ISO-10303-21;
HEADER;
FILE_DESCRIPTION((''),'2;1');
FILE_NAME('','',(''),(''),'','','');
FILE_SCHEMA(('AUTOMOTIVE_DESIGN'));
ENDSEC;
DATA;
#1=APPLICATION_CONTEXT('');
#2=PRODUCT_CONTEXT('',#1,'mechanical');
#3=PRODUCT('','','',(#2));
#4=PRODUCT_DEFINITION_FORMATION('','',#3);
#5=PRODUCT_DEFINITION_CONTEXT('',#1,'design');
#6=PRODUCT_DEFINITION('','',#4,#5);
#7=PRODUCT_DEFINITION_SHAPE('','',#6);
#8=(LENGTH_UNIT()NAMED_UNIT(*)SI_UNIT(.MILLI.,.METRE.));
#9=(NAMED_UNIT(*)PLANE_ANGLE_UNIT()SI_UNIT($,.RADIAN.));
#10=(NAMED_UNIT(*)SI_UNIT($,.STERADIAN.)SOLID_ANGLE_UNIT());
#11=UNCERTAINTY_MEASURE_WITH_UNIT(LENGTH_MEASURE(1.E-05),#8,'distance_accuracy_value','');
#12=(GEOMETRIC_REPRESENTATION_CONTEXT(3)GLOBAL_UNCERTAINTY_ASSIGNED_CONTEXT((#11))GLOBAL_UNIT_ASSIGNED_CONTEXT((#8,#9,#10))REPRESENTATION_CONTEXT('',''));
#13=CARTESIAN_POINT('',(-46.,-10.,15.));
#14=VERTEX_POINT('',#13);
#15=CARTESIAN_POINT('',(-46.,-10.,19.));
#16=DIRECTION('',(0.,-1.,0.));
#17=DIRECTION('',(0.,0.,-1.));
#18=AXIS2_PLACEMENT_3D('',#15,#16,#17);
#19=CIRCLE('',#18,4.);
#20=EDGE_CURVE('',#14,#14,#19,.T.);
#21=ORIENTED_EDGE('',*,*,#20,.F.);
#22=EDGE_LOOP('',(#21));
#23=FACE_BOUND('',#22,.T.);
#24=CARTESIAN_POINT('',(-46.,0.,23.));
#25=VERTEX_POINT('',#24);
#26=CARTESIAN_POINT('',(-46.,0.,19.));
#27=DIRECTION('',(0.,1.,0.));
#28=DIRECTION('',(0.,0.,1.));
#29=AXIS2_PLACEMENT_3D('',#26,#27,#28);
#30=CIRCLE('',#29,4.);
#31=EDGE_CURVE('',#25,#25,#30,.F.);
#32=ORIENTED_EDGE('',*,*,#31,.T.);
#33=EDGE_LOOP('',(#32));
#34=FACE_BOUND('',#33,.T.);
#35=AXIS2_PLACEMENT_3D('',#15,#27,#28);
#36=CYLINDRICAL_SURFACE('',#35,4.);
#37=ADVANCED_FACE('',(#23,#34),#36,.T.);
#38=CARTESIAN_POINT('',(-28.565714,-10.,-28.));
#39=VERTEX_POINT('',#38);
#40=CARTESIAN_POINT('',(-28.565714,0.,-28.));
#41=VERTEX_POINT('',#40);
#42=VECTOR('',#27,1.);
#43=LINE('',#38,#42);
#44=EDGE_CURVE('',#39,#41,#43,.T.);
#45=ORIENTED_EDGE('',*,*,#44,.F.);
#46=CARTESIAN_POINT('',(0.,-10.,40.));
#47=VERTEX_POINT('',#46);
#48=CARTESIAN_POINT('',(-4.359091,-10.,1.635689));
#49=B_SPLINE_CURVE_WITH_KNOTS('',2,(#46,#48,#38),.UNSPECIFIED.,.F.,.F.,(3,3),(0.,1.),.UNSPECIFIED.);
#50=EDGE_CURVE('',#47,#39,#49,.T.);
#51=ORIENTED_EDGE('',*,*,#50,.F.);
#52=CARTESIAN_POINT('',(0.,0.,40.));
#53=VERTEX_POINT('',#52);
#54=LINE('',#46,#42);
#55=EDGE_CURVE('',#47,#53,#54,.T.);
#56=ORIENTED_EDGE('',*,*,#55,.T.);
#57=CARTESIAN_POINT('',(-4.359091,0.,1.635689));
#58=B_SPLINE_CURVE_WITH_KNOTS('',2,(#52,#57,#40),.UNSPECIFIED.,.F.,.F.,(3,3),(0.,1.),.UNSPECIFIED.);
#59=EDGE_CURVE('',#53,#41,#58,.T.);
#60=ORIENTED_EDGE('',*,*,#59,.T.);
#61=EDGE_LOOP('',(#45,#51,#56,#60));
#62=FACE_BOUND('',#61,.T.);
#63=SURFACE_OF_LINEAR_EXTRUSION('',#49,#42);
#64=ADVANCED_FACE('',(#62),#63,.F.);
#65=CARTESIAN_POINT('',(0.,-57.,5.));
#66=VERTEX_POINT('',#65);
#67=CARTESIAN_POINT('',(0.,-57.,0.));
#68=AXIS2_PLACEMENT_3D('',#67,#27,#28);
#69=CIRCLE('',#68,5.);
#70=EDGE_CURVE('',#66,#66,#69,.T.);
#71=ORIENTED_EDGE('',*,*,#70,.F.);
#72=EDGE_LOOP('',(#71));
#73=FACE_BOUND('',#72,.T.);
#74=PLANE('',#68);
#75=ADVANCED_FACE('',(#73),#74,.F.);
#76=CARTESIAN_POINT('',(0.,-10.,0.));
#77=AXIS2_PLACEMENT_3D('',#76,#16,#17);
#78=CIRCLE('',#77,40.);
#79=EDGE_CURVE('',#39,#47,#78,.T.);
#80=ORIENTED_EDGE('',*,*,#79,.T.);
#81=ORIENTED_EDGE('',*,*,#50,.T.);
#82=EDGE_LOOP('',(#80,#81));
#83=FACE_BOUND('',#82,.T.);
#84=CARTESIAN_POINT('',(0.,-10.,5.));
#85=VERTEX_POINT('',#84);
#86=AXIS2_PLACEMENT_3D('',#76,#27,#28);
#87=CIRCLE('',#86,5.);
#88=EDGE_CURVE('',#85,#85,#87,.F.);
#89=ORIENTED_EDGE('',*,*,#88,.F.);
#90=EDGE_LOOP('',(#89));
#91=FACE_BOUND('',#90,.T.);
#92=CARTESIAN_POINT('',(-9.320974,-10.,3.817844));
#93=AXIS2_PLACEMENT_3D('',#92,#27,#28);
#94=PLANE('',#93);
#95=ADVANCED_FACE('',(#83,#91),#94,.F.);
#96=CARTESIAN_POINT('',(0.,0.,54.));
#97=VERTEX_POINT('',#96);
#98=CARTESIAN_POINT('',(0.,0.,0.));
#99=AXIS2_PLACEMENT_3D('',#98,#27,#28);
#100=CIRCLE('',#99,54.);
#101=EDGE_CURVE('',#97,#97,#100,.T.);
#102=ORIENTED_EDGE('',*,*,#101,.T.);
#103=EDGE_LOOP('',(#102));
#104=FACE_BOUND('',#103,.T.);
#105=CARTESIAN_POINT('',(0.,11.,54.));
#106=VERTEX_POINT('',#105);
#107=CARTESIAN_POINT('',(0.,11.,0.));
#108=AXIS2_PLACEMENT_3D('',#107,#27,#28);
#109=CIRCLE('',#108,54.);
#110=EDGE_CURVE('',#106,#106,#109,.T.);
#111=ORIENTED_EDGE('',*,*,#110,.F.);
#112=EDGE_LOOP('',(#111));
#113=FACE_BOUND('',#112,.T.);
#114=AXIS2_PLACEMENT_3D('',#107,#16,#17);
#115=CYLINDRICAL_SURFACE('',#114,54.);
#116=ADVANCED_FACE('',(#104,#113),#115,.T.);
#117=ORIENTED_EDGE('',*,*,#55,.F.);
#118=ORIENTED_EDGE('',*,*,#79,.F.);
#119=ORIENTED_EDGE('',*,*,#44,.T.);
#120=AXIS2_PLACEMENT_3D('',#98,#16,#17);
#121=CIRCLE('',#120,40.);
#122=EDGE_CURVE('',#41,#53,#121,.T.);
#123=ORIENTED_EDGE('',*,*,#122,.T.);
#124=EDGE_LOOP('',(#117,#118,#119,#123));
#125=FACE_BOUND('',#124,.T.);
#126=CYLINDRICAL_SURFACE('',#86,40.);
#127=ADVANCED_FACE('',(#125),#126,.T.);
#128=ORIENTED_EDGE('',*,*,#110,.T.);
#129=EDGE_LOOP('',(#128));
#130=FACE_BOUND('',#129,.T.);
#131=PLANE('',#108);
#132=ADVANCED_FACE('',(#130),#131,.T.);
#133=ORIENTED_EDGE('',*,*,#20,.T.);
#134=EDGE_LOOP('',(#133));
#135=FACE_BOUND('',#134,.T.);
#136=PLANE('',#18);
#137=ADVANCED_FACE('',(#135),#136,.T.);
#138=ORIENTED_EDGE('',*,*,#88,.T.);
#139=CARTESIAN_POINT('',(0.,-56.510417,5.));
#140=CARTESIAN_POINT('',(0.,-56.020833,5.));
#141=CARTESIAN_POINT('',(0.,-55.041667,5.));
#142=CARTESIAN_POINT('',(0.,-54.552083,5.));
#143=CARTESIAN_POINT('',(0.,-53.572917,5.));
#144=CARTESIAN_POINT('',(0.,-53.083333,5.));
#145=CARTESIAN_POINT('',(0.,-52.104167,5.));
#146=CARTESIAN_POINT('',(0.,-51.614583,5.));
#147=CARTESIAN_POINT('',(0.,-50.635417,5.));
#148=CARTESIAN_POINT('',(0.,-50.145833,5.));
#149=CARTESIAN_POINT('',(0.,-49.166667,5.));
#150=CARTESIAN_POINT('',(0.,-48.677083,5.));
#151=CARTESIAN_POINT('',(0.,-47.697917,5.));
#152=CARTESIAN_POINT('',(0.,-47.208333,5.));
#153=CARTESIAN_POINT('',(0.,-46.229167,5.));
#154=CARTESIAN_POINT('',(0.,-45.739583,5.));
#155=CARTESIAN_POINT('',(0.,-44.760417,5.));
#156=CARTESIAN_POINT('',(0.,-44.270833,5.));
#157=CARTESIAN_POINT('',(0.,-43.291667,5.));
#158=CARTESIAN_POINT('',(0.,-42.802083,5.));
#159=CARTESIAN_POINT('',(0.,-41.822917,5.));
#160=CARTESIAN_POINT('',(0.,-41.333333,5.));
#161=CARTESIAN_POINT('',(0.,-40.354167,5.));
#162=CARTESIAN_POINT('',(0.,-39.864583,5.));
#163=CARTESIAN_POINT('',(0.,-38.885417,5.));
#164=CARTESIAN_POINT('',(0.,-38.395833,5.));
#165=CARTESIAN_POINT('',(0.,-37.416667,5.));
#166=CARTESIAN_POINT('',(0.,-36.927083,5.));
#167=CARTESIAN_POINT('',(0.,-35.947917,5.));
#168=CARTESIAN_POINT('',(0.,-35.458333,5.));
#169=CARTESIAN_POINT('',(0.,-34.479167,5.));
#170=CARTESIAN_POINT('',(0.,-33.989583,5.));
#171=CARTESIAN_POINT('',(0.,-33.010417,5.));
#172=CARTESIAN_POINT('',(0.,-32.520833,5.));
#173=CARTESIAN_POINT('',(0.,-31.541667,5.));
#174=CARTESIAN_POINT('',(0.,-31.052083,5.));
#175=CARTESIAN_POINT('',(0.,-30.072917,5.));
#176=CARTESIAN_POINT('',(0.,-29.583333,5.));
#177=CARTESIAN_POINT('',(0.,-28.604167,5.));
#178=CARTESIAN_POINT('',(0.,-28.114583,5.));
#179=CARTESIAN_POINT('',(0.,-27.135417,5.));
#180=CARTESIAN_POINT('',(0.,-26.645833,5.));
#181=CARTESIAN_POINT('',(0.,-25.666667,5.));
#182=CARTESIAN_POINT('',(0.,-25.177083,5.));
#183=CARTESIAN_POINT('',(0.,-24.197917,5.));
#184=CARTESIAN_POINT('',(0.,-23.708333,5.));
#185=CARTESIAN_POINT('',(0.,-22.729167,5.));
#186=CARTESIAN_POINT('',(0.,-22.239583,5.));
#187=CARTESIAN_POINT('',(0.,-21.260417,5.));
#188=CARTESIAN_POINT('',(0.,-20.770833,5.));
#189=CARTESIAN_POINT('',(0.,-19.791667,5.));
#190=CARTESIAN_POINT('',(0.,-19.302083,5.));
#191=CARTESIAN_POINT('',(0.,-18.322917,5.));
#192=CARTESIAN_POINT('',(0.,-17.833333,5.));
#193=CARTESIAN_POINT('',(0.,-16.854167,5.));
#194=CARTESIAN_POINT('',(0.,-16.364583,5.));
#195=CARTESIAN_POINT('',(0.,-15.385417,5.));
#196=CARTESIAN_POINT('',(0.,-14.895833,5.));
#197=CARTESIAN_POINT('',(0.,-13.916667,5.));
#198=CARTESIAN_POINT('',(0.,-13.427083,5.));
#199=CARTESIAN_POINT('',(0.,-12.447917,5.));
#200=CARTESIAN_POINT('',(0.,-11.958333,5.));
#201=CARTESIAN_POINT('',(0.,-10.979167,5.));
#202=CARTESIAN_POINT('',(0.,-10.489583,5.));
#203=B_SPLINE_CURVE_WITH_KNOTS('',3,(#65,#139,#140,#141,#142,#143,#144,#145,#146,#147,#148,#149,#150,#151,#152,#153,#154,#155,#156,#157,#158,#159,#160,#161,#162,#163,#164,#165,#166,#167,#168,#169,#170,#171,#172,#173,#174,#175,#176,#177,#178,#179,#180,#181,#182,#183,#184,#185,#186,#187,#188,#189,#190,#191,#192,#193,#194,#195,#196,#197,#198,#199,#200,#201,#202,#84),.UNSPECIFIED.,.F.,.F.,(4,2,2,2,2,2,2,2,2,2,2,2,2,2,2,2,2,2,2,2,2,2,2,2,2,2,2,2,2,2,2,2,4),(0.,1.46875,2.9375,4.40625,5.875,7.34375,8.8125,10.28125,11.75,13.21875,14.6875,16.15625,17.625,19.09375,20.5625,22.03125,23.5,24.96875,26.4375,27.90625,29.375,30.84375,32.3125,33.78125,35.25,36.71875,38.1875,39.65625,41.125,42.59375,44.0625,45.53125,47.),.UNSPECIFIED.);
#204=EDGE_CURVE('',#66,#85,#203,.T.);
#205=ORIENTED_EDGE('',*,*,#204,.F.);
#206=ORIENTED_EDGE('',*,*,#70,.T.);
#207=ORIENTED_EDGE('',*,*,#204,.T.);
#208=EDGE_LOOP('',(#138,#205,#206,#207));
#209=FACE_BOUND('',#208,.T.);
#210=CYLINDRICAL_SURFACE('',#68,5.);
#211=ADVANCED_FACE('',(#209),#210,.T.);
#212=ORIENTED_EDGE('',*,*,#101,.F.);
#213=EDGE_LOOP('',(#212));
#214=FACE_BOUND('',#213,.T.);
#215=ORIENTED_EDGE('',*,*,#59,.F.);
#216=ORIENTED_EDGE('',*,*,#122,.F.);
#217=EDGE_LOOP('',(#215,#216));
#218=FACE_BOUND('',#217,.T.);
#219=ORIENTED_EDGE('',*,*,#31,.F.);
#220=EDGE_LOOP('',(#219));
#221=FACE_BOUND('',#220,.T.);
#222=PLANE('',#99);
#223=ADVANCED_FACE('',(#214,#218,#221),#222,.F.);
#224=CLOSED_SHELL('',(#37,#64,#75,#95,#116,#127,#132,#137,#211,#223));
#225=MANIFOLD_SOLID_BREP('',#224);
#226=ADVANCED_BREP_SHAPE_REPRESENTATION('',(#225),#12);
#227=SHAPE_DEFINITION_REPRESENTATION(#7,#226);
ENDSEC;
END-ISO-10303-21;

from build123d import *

# Parameters (mm, degrees)
SKETCH2_R           = 5
BOSS_EXTRUDE2_DEPTH = 57
SKETCH2_5_R         = 54
BOSS_EXTRUDE4_DEPTH = 11
SKETCH3_R           = 4
BOSS_EXTRUDE6_DEPTH = 10


with BuildPart() as part:
    # Sketch2 → Boss-Extrude2 (new body)
    with BuildSketch(Plane(origin=(0, 0, 0), x_dir=(1, 0, 0), z_dir=(0, 1, 0))):
        Circle(SKETCH2_R)
    extrude(amount=-BOSS_EXTRUDE2_DEPTH)

    # Sketch2<5> → Boss-Extrude4 (add)
    with BuildSketch(Plane(origin=(0, 0, 0), x_dir=(1, 0, 0), z_dir=(0, 1, 0))):
        Circle(SKETCH2_5_R)
    extrude(amount=BOSS_EXTRUDE4_DEPTH)

    # Sketch3 → Boss-Extrude6 (add)
    with BuildSketch(Plane.XZ):
        with Locations((-46, 19)):
            Circle(SKETCH3_R)
        with BuildLine():
            ThreePointArc((-28.565713714, -28), (36.878177829, -15.491933385), (0, 40))
            add(Edge.make_bspline(
                [(-28.565713714, -28), (-4.359091078, 1.635688794), (0, 40)],
                knots=[0, 0, 0, 1, 1, 1], degree=2))
        make_face()
    extrude(amount=BOSS_EXTRUDE6_DEPTH)


solid = part.part
